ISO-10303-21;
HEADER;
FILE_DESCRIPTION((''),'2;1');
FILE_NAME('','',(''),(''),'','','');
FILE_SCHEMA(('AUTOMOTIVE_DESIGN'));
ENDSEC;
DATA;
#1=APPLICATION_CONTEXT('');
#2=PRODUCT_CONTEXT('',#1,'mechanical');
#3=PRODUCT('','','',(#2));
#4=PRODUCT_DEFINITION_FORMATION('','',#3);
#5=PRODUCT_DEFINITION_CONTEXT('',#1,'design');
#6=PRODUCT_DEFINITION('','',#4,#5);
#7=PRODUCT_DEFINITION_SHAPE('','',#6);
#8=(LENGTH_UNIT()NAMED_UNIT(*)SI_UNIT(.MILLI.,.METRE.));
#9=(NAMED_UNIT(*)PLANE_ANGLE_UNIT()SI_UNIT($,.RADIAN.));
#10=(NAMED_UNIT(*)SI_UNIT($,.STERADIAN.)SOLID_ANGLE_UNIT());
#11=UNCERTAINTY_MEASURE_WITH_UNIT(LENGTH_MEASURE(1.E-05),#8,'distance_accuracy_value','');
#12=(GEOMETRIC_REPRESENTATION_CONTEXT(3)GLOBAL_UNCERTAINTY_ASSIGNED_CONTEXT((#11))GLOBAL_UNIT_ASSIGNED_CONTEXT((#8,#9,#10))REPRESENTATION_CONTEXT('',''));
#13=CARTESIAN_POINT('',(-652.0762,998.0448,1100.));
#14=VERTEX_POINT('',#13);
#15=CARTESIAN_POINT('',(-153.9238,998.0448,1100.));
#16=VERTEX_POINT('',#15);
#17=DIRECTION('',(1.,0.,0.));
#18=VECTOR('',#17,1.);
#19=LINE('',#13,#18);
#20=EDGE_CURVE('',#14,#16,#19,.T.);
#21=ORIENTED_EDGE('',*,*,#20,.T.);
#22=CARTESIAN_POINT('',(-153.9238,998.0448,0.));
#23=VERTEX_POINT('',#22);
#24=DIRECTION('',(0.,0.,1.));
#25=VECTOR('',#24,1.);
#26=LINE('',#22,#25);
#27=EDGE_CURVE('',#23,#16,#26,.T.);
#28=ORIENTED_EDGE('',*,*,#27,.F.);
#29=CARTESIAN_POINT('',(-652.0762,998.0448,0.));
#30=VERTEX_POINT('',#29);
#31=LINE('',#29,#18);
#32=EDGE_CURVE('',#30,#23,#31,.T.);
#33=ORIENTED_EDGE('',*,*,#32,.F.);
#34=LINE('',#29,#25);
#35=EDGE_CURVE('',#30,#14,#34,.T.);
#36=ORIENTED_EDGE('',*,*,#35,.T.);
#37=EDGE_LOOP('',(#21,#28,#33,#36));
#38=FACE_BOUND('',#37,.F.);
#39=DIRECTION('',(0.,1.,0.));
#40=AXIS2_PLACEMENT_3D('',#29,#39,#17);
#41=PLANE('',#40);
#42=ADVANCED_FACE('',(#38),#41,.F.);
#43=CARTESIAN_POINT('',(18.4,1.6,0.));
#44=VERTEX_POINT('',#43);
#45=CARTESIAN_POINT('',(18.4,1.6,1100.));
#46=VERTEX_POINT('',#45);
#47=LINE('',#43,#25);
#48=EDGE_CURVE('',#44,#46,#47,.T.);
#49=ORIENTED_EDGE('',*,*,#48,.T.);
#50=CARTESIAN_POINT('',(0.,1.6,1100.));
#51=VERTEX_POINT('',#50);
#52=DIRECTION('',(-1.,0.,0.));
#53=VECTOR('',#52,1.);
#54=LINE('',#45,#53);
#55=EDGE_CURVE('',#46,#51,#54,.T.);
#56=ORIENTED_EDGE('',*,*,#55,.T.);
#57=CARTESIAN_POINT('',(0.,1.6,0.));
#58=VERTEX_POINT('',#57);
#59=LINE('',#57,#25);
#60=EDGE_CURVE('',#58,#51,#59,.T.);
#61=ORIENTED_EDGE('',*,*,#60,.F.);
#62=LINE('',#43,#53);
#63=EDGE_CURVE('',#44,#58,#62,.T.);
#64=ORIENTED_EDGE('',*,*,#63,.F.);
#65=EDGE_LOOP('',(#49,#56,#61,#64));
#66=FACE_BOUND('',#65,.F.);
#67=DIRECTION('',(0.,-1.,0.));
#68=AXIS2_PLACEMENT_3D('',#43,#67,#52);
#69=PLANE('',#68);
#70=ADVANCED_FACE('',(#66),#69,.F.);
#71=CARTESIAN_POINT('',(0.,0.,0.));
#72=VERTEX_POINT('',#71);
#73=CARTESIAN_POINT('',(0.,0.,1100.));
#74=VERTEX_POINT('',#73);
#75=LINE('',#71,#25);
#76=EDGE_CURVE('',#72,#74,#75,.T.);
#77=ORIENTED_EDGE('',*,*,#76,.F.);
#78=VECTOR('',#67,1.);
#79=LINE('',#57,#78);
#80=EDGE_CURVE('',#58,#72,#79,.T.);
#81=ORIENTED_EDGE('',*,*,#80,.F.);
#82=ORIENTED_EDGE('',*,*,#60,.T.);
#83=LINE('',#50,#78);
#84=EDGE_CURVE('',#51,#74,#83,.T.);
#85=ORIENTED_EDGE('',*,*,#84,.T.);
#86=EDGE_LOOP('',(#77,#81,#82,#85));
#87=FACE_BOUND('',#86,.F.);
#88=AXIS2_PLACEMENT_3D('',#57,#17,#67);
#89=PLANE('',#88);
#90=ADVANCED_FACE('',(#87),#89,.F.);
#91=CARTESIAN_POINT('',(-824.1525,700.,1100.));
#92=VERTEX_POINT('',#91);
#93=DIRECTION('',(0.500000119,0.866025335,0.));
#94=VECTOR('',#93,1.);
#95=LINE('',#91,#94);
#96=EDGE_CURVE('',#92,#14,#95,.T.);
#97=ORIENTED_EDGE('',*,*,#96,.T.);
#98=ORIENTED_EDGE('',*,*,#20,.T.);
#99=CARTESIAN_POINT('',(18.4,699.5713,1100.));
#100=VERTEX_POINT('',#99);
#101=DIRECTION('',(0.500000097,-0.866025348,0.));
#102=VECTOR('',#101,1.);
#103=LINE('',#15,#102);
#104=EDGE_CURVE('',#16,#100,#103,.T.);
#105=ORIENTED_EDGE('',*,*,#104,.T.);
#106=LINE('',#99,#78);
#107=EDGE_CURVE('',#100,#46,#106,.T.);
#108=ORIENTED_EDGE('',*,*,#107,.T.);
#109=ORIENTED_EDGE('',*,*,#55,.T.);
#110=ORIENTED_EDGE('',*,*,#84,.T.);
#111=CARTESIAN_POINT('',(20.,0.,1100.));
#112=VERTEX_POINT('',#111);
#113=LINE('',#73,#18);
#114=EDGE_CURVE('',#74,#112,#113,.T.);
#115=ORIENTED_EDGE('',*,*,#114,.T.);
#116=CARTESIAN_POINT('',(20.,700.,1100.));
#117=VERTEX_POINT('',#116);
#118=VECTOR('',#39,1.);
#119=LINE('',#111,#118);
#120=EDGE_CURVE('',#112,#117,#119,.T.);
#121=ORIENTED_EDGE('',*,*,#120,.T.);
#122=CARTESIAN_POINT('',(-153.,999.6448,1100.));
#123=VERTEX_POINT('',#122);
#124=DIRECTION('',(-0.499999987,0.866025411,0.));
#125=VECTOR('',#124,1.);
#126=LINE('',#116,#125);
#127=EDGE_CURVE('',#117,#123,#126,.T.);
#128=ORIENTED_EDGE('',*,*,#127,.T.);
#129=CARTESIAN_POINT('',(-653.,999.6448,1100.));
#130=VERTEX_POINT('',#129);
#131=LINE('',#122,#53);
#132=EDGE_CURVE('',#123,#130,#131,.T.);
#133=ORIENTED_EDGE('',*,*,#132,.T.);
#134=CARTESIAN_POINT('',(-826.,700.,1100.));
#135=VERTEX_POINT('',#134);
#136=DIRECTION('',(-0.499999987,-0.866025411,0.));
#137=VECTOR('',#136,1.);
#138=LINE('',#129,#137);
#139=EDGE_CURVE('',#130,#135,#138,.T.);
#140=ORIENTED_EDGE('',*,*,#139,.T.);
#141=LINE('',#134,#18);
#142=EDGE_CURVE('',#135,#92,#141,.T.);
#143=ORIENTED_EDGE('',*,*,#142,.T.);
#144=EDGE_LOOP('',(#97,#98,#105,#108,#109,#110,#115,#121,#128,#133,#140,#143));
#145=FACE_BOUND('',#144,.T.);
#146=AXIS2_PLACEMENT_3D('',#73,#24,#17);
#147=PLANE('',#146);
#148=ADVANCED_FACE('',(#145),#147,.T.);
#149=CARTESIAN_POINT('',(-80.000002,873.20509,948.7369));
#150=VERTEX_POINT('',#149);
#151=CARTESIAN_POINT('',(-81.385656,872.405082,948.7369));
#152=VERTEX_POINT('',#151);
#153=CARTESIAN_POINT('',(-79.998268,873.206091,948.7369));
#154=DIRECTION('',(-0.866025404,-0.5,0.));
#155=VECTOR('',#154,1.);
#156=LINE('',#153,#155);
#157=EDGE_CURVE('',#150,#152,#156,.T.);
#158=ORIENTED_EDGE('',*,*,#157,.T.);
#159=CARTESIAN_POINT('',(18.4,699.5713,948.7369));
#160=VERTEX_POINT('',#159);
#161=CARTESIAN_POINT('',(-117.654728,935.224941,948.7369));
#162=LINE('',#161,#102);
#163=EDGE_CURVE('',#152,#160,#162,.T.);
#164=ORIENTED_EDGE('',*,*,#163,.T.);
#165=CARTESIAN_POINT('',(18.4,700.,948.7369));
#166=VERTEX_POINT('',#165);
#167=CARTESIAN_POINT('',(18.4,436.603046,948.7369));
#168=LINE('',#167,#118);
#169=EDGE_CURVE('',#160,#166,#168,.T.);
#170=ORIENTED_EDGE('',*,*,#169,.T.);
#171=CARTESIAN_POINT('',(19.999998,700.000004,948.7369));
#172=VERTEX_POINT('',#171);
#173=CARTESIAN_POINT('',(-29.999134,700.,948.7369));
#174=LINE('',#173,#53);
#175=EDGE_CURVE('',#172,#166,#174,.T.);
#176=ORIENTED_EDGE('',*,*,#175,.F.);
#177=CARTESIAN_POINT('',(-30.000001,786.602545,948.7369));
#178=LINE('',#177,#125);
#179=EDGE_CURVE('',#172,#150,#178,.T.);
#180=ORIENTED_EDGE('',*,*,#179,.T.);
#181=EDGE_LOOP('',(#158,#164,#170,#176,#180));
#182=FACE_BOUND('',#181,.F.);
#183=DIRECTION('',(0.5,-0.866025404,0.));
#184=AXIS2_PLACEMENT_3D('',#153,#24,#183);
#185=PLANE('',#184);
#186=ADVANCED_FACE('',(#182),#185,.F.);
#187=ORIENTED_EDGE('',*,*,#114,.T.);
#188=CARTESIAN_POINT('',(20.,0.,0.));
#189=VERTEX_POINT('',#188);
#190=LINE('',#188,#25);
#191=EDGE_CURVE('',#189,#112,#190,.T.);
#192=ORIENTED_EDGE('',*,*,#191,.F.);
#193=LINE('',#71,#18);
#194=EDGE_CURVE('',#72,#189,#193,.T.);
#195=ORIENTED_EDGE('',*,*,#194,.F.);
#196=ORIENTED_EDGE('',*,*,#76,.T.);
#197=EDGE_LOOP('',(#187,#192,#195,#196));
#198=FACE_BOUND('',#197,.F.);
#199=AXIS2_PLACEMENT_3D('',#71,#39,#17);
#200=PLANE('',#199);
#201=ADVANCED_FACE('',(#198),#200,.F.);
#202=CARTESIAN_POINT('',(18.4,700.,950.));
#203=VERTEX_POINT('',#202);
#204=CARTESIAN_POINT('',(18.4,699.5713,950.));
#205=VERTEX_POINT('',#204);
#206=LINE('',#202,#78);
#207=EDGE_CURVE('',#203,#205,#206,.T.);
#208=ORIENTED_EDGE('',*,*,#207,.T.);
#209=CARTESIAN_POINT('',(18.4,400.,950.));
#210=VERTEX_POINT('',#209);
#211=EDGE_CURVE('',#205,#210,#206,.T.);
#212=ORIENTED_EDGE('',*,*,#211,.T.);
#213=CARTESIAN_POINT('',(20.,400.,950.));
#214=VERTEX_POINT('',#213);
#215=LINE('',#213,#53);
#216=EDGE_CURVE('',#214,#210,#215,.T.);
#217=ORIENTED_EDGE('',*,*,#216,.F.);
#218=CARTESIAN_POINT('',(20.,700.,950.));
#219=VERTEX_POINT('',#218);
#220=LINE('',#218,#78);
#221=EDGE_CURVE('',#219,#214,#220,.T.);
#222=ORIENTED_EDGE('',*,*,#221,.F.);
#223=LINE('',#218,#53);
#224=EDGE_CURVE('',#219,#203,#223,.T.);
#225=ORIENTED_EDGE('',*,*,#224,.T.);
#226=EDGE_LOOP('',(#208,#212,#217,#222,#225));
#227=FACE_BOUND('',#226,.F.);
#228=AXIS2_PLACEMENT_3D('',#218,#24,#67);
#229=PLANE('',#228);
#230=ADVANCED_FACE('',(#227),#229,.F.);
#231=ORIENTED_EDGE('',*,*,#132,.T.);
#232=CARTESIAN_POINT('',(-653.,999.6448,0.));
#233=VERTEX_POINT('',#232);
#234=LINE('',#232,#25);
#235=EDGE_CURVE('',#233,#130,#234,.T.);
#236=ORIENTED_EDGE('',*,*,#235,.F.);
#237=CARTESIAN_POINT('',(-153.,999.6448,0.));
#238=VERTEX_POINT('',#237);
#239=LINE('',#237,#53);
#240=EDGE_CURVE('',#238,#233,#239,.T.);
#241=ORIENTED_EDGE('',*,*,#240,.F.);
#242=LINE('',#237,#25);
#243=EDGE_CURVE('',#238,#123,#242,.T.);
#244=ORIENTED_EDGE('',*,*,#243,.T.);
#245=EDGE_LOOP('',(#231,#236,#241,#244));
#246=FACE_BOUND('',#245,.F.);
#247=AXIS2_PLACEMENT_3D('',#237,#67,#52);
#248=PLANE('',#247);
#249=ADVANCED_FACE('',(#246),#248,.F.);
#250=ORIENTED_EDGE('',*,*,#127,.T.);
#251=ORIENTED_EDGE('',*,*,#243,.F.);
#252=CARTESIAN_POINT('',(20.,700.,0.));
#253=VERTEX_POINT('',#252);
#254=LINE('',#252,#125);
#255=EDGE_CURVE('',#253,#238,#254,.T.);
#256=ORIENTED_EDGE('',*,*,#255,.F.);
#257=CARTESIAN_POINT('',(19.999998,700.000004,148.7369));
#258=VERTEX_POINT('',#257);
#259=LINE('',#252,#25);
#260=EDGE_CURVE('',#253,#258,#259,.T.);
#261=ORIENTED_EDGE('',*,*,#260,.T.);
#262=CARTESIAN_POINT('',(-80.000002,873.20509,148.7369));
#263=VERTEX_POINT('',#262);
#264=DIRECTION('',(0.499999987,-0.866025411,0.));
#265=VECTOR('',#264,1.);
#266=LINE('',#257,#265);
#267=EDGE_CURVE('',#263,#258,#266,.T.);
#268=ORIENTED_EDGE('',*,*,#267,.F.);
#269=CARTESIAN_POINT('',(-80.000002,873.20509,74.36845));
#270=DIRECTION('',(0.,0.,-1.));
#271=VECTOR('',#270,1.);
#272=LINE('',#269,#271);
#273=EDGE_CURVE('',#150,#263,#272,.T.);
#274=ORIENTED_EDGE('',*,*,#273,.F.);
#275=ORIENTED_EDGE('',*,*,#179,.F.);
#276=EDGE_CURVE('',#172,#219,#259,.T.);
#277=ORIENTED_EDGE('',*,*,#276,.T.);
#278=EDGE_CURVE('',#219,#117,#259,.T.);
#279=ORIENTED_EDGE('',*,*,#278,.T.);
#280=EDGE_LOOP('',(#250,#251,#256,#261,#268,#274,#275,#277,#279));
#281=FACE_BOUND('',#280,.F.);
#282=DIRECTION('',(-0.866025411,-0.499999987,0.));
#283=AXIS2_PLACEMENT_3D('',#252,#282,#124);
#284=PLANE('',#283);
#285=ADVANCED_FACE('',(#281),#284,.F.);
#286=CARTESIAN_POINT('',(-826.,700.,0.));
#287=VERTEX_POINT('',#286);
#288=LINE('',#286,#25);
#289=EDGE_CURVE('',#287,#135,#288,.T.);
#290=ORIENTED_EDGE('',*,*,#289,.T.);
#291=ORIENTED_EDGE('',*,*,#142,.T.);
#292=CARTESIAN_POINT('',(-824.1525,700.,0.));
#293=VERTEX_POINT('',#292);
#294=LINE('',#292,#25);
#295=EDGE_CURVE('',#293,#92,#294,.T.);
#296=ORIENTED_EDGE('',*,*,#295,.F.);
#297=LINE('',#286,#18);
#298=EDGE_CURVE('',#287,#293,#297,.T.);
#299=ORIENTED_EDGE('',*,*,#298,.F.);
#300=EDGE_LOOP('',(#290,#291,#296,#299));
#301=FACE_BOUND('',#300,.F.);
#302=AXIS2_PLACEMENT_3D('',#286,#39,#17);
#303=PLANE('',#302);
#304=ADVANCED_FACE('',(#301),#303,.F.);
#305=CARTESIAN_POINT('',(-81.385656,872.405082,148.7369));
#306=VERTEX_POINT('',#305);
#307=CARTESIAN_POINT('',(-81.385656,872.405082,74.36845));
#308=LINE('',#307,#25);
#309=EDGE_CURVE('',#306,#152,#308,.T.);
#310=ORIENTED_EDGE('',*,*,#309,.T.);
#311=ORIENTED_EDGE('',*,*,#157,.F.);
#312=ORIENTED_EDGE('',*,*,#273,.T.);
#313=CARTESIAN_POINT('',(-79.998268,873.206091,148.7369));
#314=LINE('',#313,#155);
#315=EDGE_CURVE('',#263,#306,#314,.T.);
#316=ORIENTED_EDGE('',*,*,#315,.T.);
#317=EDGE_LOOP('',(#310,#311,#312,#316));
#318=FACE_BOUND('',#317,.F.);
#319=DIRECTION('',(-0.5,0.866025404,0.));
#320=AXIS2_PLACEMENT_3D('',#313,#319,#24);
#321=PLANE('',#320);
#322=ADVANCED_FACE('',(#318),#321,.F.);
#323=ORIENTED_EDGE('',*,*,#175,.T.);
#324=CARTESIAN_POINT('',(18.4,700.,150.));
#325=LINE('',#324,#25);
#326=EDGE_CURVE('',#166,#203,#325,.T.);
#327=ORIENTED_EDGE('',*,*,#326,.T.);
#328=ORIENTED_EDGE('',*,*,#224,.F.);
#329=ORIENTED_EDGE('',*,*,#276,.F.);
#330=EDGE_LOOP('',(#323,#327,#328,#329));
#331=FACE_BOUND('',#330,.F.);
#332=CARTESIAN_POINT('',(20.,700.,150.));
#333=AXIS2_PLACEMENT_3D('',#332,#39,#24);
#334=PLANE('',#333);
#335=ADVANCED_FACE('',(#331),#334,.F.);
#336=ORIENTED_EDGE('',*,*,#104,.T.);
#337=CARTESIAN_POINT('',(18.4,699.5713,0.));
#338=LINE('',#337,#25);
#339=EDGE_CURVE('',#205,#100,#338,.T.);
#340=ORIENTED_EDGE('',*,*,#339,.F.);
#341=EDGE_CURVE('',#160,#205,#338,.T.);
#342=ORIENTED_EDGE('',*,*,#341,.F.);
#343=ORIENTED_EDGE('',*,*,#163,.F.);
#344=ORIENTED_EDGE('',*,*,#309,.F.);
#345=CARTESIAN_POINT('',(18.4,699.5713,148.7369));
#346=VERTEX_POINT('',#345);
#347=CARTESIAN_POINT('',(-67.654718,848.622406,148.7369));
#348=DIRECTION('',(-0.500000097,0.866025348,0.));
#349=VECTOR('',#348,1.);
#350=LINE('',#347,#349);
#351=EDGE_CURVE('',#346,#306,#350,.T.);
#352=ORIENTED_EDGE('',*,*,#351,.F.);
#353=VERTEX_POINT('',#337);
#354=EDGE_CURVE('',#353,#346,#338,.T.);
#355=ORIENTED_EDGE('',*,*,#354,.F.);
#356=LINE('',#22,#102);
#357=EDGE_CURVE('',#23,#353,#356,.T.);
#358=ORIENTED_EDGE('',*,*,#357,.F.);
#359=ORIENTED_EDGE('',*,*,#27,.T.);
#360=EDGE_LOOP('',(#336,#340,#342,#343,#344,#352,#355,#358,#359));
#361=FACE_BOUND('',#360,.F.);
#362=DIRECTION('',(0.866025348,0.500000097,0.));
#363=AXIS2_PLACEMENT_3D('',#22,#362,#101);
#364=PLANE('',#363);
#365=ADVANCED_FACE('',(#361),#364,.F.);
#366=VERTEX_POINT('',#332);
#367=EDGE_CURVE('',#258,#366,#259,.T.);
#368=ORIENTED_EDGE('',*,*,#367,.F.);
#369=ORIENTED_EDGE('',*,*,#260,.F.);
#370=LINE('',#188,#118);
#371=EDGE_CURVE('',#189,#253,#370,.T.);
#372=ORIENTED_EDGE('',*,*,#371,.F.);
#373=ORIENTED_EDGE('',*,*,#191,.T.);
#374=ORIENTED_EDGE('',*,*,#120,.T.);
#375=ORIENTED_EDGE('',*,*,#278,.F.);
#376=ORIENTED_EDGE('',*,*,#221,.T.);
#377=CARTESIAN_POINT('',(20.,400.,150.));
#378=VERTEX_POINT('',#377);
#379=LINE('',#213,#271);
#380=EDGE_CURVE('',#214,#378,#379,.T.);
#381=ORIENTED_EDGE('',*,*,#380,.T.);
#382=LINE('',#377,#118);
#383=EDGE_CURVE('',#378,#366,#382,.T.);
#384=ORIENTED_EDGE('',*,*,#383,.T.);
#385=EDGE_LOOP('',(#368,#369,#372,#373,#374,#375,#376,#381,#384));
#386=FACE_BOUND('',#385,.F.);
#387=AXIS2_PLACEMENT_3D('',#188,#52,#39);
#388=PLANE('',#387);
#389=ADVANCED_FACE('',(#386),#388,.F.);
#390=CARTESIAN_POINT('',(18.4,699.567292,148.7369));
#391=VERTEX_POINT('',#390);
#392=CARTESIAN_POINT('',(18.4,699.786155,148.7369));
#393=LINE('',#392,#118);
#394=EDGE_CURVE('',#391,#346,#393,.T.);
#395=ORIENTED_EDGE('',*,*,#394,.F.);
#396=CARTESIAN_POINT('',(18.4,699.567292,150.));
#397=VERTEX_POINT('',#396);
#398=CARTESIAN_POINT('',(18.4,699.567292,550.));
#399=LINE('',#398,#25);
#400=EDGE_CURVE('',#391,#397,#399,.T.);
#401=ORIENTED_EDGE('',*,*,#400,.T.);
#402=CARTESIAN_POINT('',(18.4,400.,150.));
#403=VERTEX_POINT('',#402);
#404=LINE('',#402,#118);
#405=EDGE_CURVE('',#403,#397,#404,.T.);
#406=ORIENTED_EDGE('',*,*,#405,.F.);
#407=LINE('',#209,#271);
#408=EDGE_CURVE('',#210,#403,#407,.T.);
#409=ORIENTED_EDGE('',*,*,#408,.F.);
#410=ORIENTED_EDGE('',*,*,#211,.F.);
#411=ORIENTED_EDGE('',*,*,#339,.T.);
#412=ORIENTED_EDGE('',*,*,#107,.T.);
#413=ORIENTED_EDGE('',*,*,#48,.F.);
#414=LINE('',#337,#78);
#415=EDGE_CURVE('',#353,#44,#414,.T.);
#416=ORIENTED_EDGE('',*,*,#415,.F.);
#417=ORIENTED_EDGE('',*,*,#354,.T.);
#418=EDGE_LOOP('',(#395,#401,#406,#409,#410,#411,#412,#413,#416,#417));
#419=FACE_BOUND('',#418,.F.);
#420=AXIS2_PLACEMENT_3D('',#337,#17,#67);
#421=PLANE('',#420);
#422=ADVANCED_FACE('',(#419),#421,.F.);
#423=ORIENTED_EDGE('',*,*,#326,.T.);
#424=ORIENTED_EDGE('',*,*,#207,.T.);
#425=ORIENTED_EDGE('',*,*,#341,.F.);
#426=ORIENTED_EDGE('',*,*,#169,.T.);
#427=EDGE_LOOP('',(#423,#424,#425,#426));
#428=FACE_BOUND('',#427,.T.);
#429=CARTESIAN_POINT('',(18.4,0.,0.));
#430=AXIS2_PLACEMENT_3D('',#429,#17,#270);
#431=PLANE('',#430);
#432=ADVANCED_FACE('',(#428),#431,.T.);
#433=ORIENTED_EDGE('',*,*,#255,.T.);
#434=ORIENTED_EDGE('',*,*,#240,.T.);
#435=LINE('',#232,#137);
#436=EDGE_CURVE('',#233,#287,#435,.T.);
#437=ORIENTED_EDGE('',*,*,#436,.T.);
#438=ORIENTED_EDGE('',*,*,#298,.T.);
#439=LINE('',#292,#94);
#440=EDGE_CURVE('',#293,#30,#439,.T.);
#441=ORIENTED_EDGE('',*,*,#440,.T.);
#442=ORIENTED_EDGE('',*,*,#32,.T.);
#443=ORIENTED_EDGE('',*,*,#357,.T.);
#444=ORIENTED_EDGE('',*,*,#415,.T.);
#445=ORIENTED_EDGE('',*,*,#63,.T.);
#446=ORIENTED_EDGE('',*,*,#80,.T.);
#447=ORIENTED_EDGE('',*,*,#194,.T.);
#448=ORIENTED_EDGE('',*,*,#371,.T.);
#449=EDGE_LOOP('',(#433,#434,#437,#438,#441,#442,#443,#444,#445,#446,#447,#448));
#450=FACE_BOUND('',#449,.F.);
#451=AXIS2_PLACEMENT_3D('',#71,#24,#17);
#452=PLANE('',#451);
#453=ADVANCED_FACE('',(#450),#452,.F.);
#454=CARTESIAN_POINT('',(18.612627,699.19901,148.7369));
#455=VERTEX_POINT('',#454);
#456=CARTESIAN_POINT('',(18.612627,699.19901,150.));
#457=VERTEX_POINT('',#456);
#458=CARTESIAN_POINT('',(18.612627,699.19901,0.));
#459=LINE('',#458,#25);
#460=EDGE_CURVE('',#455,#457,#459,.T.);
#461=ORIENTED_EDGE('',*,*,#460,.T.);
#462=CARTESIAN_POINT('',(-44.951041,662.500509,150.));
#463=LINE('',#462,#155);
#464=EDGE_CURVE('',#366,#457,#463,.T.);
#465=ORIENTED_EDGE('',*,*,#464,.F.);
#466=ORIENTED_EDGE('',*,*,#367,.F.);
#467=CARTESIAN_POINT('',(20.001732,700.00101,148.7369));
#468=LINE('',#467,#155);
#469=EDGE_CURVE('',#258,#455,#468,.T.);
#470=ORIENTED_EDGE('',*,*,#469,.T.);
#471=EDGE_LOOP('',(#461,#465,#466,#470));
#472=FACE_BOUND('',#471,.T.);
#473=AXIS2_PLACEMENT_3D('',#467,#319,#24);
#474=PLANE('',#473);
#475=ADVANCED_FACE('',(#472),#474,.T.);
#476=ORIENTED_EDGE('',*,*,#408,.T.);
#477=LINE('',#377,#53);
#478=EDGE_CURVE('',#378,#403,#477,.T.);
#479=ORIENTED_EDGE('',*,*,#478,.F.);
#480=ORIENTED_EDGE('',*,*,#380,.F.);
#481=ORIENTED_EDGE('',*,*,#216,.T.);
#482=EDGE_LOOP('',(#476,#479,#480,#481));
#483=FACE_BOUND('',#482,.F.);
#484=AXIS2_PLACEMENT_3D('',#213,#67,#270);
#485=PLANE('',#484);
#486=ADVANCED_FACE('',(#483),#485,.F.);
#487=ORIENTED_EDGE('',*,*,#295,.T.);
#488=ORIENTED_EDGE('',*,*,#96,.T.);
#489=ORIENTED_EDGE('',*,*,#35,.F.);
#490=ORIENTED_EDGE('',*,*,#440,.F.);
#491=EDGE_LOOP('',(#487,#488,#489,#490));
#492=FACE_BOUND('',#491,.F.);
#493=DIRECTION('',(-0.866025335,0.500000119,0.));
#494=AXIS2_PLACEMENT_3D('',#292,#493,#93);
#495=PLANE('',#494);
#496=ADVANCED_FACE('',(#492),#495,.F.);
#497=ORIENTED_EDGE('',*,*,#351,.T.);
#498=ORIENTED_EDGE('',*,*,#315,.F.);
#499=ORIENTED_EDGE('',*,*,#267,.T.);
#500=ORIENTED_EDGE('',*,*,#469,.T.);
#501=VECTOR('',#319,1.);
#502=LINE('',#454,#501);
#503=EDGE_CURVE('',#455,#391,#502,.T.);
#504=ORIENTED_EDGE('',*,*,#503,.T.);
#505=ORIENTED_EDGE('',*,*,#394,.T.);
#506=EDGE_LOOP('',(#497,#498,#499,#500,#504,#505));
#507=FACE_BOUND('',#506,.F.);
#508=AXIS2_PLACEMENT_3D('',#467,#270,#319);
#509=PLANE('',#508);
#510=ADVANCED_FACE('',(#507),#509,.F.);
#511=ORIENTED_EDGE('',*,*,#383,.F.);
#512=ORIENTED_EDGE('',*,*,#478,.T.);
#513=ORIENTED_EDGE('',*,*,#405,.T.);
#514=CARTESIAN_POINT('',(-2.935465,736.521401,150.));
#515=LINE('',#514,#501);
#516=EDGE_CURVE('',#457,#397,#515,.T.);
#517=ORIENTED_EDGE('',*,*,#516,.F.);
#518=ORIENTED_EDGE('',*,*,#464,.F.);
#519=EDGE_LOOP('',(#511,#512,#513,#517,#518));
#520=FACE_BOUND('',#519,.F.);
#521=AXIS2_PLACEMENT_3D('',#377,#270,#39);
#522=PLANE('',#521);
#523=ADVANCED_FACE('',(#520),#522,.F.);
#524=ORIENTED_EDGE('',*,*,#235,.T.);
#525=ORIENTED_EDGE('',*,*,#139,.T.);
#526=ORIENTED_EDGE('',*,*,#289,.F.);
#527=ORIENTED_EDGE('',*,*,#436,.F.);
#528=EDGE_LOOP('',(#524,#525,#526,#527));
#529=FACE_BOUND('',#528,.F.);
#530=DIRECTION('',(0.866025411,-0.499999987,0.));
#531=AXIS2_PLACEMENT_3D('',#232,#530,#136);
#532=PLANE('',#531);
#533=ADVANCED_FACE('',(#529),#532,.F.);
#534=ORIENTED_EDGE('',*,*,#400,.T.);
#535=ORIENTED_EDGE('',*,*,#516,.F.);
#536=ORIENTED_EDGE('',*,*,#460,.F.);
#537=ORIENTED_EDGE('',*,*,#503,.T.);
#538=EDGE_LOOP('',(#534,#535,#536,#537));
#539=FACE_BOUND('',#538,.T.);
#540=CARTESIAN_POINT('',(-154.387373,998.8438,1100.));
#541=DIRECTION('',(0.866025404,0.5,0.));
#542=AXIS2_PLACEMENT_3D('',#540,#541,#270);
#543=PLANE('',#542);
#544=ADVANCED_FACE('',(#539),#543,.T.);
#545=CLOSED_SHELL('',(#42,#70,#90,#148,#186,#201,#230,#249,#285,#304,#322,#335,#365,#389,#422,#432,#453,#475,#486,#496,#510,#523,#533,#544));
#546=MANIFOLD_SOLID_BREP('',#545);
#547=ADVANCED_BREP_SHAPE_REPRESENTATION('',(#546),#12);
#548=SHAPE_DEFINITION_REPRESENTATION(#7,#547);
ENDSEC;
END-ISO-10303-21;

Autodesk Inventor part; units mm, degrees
ref_plane "YZ Plane" through (0, 0, 0) normal (1, 0, 0) x (0, 1, 0)
ref_plane "XZ Plane" through (0, 0, 0) normal (0, 1, 0) x (-1, 0, 0)
ref_plane "XY Plane" through (0, 0, 0) normal (0, 0, 1) x (1, 0, 0)
sketch "Sketch1" plane through (0, 0, 0) normal (0, 0, 1) x (1, 0, 0)
  line L0 (0, 0) -> (20, 0)
  line L1 (20, 0) -> (20, 700)
  line L2 (20, 700) -> (-153, 999.6448)
  line L3 (-153, 999.6448) -> (-653, 999.6448)
  line L4 (-653, 999.6448) -> (-826, 700)
  line L5 (-824.1525, 700) -> (-652.0762, 998.0448)
  line L6 (-652.0762, 998.0448) -> (-153.9238, 998.0448)
  line L7 (-153.9238, 998.0448) -> (18.4, 699.5713)
  line L8 (18.4, 699.5713) -> (18.4, 1.6)
  line L9 (18.4, 1.6) -> (0, 1.6)
  line L10 (-826, 700) -> (-824.1525, 700)
  line L11 (0, 1.6) -> (0, 0)
  dimension "d0" = 20
  dimension "d1" = 700
  dimension "d2" = 90
  dimension "d3" = 346
  dimension "d4" = 150
  dimension "d5" = 500
  dimension "d6" = 346
  dimension "d7" = 120
  dimension "d8" = 1.6
extrude "main" add sketch "Sketch1" along normal blind 1100
sketch "Sketch2" plane through (20, 0, 0) normal (1, 0, 0) x (0, 0, -1)
  point P0 (0, 0)
sketch "Sketch3" plane through (20, 0, 0) normal (1, 0, 0) x (0, 0, -1)
  line L0 (-1100, 0) -> (-1100, 700) projected
  line L1 (-950, 400) -> (-150, 400)
  line L2 (-150, 400) -> (-150, 700)
  line L3 (-150, 700) -> (-950, 700)
  line L4 (-950, 700) -> (-950, 400)
  line L5 (-950, 700) -> (-150, 700)
  point P0 (0, 0)
  dimension "d13" = 800
  dimension "d14" = 300
sketch "Sketch4" plane through (-153, 999.6448, 1100) normal (0.866, 0.5, 0) x (0, 0, -1)
  line L0 (1100, -346) -> (0, -346) projected
  line L1 (151.2631, -346) -> (951.2631, -346)
  line L2 (951.2631, -346) -> (951.2631, -146)
  line L3 (951.2631, -146) -> (151.2631, -146)
  line L4 (151.2631, -146) -> (151.2631, -346)
  point P0 (1100, -942.2178)
  dimension "d16" = 800
  dimension "d17" = 200
extrude "Extrusion2" cut sketch "Sketch4" against normal blind 1.6
extrude "Extrusion3" cut sketch "Sketch3" against normal blind 1.6
properties part number "Cover 1"
